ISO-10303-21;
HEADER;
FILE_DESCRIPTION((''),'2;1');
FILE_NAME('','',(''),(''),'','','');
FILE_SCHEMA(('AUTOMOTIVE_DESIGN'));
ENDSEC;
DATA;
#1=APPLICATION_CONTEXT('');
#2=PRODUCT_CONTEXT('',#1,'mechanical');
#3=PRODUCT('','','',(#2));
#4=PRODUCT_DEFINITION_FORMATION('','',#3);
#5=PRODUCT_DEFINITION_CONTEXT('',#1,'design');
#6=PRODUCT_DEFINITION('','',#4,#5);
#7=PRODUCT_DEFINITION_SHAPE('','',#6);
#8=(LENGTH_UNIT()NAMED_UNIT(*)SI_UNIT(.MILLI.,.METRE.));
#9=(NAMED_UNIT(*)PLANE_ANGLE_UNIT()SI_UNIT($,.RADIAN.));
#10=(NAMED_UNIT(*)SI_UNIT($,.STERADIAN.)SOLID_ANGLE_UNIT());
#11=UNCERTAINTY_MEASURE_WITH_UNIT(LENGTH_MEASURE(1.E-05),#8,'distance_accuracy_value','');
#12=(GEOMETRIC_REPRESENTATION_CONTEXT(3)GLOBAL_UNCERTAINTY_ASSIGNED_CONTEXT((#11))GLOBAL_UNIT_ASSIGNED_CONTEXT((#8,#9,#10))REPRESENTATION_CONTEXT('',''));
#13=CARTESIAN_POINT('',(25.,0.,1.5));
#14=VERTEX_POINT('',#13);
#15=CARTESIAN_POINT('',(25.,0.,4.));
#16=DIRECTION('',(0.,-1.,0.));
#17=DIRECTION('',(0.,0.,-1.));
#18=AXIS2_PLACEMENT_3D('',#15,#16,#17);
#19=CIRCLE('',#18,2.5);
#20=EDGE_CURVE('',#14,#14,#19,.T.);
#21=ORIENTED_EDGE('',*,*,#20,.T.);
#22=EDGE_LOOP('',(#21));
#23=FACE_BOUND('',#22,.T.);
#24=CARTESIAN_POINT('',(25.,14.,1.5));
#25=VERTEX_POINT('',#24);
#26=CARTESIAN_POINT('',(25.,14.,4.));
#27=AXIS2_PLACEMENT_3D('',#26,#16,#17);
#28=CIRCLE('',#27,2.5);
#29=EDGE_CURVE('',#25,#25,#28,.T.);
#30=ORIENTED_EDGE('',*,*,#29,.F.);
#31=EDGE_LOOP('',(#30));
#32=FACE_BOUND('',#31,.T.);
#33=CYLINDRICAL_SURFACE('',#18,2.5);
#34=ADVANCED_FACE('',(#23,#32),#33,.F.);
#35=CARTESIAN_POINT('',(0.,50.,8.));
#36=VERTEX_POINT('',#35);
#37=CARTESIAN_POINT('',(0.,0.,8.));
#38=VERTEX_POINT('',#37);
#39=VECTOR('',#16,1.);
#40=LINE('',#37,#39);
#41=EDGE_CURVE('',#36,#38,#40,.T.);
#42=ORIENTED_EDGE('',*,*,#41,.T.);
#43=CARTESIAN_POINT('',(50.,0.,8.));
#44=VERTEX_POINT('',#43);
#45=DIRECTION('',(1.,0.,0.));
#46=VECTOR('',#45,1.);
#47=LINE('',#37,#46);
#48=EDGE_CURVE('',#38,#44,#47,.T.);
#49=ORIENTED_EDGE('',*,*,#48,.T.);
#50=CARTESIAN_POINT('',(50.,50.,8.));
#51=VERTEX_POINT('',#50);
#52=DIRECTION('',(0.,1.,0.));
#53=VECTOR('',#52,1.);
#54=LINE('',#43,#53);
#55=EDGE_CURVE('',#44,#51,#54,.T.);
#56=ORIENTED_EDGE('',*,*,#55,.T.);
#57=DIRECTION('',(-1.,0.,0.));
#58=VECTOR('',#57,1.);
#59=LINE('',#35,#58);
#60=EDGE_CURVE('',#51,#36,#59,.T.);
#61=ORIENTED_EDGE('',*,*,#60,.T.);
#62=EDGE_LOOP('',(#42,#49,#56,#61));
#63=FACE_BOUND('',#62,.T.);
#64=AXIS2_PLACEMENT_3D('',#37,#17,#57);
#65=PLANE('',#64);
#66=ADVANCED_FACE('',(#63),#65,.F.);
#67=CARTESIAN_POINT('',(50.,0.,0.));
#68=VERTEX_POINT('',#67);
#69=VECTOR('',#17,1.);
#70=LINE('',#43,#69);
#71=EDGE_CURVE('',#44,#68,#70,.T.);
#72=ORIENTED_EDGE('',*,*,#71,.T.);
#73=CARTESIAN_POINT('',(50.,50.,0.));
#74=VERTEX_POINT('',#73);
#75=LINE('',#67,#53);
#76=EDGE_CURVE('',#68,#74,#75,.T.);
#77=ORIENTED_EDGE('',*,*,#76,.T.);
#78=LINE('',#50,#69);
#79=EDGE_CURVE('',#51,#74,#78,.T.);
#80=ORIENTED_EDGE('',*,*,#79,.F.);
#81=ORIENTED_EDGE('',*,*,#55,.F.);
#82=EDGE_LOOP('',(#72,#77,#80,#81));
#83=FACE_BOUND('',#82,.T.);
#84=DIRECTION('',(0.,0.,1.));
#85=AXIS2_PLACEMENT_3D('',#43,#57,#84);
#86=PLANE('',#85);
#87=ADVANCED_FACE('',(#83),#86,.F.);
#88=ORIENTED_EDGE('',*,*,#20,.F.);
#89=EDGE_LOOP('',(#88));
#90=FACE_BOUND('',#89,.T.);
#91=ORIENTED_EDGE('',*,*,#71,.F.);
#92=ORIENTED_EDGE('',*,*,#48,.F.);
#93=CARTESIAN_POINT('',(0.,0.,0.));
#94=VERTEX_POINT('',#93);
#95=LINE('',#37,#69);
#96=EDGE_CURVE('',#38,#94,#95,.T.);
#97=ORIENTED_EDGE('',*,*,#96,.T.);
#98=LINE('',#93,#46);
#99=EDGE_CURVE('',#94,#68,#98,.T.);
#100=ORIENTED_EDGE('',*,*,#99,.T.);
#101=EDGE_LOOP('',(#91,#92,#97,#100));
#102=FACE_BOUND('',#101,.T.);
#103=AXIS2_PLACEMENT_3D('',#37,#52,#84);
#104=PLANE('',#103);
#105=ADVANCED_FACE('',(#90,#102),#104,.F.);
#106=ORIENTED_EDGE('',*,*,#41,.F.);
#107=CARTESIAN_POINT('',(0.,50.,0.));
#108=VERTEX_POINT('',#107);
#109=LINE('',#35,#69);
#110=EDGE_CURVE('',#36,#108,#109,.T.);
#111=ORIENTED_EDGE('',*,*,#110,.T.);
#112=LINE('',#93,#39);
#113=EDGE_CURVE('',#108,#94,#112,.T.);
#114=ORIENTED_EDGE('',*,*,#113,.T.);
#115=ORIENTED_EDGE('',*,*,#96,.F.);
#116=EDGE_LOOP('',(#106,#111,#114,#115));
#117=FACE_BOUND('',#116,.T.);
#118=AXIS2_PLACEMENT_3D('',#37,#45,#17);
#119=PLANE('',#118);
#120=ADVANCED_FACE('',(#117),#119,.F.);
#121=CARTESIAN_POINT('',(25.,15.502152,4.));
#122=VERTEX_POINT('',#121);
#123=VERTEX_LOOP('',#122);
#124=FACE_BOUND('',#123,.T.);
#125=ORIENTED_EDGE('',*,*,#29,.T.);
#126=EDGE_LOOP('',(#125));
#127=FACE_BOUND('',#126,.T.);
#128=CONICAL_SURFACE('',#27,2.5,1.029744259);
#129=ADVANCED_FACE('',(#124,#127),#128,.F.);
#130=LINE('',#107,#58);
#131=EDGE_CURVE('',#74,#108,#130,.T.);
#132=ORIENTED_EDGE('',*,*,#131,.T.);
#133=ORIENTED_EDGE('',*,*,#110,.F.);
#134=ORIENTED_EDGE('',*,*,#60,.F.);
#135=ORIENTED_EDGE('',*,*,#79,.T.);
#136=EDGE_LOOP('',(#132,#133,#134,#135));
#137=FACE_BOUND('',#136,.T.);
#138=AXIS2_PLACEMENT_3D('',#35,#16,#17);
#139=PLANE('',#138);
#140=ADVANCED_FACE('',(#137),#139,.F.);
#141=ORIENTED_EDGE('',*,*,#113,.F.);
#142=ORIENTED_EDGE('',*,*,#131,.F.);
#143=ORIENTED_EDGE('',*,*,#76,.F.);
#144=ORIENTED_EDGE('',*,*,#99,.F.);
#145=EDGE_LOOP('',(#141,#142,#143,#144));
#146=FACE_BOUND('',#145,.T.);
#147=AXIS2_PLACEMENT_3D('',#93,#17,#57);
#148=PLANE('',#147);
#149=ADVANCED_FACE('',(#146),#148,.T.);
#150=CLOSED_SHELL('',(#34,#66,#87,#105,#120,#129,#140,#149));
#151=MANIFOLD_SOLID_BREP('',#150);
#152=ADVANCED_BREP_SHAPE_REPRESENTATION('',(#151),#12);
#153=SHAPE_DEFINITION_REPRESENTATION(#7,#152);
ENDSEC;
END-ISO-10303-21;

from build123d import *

# Parameters (mm, degrees)
SKETCH_1_W            = 50
SKETCH_1_H            = 50
EXTRUDE_1_DEPTH       = 8
HOLE_WIZARD_M63_D     = 5
HOLE_WIZARD_M63_DEPTH = 14
HOLE_WIZARD_M63_TIP   = 1.502151548


with BuildPart() as part:
    # Эскиз1 → Бобышка-Вытянуть1 (new body)
    with BuildSketch(Plane.XY):
        with Locations((25, 25)):
            Rectangle(SKETCH_1_W, SKETCH_1_H)
    extrude(amount=EXTRUDE_1_DEPTH)

    # Отверстие обработанное метчиком M63
    with Locations(Plane(origin=(0, 0, 0), x_dir=(-1, 0, 0), z_dir=(0, -1, 0))):
        with Locations((-25, -4)):
            Hole(HOLE_WIZARD_M63_D / 2, depth=HOLE_WIZARD_M63_DEPTH)
            with Locations((0, 0, -(HOLE_WIZARD_M63_DEPTH + HOLE_WIZARD_M63_TIP / 2))):  # 118° drill point
                Cone(0, HOLE_WIZARD_M63_D / 2, HOLE_WIZARD_M63_TIP, mode=Mode.SUBTRACT)


solid = part.part
